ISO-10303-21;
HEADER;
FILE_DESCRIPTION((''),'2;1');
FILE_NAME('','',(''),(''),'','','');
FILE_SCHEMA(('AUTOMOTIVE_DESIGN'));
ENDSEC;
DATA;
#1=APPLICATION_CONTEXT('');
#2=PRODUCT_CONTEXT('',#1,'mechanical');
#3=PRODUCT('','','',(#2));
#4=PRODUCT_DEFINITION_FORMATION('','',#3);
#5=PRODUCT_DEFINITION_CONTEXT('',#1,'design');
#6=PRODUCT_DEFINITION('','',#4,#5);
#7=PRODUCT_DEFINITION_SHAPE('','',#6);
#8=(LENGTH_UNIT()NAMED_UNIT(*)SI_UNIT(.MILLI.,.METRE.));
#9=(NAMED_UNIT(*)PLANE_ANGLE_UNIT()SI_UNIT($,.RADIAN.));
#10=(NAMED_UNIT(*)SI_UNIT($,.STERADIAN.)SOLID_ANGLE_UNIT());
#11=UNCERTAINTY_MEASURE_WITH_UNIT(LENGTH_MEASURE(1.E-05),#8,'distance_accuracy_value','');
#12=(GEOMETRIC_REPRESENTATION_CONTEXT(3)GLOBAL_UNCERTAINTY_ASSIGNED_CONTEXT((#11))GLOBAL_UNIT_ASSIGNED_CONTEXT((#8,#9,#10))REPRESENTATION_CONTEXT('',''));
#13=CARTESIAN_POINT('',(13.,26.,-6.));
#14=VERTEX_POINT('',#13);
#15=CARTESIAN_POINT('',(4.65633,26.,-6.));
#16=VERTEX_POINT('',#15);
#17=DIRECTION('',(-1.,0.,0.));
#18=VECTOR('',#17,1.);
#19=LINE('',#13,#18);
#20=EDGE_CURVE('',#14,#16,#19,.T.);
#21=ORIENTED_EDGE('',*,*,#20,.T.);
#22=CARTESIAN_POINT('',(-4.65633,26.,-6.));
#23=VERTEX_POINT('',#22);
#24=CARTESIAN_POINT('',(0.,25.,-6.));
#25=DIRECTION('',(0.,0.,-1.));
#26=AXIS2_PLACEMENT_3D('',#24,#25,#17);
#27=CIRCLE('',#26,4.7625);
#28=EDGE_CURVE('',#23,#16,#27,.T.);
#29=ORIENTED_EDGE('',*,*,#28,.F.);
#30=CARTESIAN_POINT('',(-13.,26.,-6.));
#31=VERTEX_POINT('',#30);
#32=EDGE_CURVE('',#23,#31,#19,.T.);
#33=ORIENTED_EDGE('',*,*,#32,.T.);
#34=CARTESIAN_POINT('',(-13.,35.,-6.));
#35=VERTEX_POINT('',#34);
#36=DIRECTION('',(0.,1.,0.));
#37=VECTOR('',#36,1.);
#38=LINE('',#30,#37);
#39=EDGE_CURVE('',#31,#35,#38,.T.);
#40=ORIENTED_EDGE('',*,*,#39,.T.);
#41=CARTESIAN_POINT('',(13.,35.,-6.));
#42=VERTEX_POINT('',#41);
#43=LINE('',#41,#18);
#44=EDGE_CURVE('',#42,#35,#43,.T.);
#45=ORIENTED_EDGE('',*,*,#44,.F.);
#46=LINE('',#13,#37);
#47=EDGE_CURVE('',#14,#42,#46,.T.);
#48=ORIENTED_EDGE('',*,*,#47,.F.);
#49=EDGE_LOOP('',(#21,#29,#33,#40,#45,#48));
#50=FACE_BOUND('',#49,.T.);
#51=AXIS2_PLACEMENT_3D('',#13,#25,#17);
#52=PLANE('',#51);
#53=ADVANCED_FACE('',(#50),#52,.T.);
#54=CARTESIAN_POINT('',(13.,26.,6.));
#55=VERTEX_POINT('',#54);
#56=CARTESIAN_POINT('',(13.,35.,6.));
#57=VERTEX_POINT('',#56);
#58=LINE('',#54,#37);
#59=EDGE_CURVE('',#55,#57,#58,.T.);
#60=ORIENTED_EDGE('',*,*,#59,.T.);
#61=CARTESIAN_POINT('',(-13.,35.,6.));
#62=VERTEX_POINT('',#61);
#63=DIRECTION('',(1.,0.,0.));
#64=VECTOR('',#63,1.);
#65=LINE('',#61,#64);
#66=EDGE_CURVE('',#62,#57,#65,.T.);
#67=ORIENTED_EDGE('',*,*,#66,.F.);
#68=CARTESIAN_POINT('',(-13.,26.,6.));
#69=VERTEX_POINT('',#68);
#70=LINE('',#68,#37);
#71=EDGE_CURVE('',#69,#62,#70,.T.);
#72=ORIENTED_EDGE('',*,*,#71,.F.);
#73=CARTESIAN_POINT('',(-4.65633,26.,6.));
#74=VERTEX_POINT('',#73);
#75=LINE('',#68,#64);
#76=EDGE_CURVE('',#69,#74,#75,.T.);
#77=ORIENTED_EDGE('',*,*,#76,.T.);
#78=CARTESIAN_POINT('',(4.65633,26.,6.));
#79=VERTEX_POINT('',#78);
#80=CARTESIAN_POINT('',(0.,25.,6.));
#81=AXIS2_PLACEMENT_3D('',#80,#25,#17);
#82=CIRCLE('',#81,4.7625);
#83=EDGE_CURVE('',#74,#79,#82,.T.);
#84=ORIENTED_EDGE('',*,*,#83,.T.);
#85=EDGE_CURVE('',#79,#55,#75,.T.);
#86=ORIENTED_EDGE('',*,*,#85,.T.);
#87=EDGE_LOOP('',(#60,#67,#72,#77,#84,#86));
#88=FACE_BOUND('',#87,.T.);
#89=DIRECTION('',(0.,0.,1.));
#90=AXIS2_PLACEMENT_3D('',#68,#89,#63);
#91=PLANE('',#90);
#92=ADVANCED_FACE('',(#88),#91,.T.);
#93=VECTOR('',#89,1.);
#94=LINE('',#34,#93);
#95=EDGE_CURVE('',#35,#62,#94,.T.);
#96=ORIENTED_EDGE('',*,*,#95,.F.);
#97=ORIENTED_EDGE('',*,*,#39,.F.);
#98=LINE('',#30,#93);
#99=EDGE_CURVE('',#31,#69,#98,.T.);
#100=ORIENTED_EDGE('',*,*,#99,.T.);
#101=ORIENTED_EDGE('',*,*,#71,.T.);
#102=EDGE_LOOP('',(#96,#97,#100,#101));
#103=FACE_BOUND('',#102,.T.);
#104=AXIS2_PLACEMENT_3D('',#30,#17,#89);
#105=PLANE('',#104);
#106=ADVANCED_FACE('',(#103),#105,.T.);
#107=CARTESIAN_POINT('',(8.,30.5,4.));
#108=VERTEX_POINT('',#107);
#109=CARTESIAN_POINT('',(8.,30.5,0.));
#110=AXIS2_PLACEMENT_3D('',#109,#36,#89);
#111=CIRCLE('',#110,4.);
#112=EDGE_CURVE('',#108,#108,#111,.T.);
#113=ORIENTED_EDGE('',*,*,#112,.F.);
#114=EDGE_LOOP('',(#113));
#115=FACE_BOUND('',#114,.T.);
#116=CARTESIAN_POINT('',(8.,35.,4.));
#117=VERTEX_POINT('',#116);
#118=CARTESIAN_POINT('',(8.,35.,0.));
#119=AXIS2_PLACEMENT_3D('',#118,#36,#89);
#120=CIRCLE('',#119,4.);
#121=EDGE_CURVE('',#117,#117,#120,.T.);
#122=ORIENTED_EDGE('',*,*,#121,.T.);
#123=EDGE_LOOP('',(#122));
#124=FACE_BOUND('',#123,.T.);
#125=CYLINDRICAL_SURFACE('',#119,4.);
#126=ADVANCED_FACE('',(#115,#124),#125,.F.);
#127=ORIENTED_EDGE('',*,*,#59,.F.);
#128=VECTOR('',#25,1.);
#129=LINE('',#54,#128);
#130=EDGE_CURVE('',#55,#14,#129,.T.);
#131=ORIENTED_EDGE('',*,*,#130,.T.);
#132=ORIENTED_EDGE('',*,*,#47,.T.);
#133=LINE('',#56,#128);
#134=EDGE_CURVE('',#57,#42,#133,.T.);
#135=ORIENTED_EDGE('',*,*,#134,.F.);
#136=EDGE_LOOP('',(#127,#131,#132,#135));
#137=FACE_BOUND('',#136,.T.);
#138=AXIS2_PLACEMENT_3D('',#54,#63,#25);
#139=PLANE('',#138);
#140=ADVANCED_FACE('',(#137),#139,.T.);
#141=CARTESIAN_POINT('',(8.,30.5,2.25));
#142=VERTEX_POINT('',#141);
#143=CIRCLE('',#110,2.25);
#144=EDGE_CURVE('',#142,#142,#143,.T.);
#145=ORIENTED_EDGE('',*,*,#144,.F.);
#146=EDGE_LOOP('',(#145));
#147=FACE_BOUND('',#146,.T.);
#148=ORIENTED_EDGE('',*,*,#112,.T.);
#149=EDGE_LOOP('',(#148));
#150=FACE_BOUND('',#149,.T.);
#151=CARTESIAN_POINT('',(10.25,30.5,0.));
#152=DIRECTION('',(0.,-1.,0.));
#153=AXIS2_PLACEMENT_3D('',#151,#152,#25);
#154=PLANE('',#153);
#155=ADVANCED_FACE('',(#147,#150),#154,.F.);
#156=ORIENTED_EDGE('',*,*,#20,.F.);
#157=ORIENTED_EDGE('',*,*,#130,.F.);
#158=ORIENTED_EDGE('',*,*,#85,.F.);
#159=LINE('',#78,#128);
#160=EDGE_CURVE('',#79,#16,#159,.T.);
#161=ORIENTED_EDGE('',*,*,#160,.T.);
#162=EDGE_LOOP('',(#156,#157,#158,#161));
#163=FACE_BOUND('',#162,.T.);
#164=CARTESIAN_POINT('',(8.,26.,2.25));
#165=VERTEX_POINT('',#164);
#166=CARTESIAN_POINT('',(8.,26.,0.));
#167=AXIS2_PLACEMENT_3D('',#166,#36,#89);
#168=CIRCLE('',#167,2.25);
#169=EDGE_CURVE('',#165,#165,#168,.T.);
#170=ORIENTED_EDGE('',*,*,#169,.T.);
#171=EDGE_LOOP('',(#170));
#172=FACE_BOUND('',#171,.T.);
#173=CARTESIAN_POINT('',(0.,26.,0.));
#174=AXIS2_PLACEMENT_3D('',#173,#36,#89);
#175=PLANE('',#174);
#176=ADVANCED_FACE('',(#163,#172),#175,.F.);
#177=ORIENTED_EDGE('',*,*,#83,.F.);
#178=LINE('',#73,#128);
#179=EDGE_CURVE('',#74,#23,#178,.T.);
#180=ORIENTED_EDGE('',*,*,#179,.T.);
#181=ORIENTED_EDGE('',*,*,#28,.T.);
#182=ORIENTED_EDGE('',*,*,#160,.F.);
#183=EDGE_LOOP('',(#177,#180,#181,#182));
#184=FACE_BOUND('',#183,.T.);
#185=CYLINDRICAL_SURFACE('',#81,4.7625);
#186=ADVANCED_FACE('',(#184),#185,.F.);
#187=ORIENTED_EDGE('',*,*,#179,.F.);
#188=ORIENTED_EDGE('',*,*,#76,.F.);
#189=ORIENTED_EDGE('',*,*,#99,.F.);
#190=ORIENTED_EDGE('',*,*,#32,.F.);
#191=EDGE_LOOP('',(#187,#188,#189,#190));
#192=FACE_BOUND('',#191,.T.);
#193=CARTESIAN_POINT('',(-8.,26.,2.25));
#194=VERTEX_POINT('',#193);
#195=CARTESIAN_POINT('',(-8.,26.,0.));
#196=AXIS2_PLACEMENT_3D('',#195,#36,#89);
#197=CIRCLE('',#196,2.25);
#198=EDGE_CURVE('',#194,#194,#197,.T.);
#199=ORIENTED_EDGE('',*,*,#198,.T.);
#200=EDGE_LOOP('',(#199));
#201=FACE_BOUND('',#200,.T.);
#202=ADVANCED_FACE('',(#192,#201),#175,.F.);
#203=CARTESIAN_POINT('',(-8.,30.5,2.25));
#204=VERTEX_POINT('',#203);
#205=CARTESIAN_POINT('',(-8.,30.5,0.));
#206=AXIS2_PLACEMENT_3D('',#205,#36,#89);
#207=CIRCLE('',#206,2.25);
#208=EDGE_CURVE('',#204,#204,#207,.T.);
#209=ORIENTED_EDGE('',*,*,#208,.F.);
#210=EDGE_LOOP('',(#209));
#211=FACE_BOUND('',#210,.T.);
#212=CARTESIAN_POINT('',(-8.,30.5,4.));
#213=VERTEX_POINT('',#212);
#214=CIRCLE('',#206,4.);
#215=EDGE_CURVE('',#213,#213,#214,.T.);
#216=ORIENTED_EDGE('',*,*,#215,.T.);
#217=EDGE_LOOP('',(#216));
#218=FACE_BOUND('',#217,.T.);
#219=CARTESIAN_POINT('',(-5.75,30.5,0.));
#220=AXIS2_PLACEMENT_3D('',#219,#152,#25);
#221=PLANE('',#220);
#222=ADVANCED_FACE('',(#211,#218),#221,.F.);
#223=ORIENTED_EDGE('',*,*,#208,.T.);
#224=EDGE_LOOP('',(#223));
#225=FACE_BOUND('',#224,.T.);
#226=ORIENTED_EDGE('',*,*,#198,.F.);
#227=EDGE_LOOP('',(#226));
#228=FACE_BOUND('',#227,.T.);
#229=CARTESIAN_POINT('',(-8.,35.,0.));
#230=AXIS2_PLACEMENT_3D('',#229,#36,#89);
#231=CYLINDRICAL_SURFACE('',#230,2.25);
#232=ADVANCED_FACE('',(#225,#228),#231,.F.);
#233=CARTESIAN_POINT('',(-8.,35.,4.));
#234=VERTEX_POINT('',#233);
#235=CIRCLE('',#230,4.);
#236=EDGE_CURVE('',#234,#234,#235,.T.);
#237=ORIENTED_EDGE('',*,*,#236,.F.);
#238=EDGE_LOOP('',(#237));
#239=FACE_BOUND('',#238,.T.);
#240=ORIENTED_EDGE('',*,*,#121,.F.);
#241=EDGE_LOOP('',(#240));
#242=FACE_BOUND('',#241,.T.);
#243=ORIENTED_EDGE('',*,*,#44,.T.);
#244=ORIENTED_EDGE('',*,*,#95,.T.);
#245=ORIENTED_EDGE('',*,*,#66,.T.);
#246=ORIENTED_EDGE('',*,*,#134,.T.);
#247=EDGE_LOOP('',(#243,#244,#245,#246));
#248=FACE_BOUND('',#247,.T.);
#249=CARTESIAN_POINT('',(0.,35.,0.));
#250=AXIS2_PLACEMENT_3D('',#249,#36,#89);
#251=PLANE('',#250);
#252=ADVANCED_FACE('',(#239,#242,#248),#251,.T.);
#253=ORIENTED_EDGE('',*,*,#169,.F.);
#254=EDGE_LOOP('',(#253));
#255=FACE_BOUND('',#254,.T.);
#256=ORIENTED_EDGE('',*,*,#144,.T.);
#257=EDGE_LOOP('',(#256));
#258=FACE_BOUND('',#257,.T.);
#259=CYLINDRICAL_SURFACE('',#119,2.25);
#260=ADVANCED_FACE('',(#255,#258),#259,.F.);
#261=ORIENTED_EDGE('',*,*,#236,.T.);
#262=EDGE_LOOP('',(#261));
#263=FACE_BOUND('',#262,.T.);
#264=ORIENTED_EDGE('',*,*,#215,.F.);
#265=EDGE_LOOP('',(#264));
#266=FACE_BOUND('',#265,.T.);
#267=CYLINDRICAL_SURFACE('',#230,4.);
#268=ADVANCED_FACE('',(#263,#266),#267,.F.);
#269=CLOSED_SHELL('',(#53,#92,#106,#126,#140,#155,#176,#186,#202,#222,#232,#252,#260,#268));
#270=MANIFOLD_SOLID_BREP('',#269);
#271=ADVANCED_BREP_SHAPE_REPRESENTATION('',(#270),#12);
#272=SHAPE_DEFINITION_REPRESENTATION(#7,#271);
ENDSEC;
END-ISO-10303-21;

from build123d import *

# Parameters (mm, degrees)
SKETCH1_W                                        = 26
SKETCH1_H                                        = 12
BOSS_EXTRUDE1_DEPTH                              = 9
CUT_EXTRUDE1_DEPTH                               = 40.217343102
CBORE_FOR_M4_HEX_HEAD_MACHINE_SCREW1_D           = 4.5
CBORE_FOR_M4_HEX_HEAD_MACHINE_SCREW1_CBORE_D     = 8
CBORE_FOR_M4_HEX_HEAD_MACHINE_SCREW1_CBORE_DEPTH = 4.5


with BuildPart() as part:
    # Sketch1 → Boss-Extrude1 (new body)
    with BuildSketch(Plane(origin=(0, 35, 0), x_dir=(1, 0, 0), z_dir=(0, 1, 0))):
        Rectangle(SKETCH1_W, SKETCH1_H)
    extrude(amount=-BOSS_EXTRUDE1_DEPTH)

    # Sketch2 → Cut-Extrude1 (cut, through all)
    with BuildSketch(Plane(origin=(0, 0, -6), x_dir=(-1, 0, 0), z_dir=(0, 0, -1))):
        with BuildLine():
            Line((-4.656329697, 26), (4.656329697, 26))
            ThreePointArc((4.656329697, 26), (0, 29.7625), (-4.656329697, 26))
        make_face()
    extrude(amount=-CUT_EXTRUDE1_DEPTH, mode=Mode.SUBTRACT)

    # CBORE for M4 Hex Head Machine Screw1 (through all)
    with Locations(Plane(origin=(0, 35, 0), x_dir=(1, 0, 0), z_dir=(0, 1, 0))):
        with Locations((-8, 0), (8, 0)):
            CounterBoreHole(CBORE_FOR_M4_HEX_HEAD_MACHINE_SCREW1_D / 2, CBORE_FOR_M4_HEX_HEAD_MACHINE_SCREW1_CBORE_D / 2, CBORE_FOR_M4_HEX_HEAD_MACHINE_SCREW1_CBORE_DEPTH)


solid = part.part
